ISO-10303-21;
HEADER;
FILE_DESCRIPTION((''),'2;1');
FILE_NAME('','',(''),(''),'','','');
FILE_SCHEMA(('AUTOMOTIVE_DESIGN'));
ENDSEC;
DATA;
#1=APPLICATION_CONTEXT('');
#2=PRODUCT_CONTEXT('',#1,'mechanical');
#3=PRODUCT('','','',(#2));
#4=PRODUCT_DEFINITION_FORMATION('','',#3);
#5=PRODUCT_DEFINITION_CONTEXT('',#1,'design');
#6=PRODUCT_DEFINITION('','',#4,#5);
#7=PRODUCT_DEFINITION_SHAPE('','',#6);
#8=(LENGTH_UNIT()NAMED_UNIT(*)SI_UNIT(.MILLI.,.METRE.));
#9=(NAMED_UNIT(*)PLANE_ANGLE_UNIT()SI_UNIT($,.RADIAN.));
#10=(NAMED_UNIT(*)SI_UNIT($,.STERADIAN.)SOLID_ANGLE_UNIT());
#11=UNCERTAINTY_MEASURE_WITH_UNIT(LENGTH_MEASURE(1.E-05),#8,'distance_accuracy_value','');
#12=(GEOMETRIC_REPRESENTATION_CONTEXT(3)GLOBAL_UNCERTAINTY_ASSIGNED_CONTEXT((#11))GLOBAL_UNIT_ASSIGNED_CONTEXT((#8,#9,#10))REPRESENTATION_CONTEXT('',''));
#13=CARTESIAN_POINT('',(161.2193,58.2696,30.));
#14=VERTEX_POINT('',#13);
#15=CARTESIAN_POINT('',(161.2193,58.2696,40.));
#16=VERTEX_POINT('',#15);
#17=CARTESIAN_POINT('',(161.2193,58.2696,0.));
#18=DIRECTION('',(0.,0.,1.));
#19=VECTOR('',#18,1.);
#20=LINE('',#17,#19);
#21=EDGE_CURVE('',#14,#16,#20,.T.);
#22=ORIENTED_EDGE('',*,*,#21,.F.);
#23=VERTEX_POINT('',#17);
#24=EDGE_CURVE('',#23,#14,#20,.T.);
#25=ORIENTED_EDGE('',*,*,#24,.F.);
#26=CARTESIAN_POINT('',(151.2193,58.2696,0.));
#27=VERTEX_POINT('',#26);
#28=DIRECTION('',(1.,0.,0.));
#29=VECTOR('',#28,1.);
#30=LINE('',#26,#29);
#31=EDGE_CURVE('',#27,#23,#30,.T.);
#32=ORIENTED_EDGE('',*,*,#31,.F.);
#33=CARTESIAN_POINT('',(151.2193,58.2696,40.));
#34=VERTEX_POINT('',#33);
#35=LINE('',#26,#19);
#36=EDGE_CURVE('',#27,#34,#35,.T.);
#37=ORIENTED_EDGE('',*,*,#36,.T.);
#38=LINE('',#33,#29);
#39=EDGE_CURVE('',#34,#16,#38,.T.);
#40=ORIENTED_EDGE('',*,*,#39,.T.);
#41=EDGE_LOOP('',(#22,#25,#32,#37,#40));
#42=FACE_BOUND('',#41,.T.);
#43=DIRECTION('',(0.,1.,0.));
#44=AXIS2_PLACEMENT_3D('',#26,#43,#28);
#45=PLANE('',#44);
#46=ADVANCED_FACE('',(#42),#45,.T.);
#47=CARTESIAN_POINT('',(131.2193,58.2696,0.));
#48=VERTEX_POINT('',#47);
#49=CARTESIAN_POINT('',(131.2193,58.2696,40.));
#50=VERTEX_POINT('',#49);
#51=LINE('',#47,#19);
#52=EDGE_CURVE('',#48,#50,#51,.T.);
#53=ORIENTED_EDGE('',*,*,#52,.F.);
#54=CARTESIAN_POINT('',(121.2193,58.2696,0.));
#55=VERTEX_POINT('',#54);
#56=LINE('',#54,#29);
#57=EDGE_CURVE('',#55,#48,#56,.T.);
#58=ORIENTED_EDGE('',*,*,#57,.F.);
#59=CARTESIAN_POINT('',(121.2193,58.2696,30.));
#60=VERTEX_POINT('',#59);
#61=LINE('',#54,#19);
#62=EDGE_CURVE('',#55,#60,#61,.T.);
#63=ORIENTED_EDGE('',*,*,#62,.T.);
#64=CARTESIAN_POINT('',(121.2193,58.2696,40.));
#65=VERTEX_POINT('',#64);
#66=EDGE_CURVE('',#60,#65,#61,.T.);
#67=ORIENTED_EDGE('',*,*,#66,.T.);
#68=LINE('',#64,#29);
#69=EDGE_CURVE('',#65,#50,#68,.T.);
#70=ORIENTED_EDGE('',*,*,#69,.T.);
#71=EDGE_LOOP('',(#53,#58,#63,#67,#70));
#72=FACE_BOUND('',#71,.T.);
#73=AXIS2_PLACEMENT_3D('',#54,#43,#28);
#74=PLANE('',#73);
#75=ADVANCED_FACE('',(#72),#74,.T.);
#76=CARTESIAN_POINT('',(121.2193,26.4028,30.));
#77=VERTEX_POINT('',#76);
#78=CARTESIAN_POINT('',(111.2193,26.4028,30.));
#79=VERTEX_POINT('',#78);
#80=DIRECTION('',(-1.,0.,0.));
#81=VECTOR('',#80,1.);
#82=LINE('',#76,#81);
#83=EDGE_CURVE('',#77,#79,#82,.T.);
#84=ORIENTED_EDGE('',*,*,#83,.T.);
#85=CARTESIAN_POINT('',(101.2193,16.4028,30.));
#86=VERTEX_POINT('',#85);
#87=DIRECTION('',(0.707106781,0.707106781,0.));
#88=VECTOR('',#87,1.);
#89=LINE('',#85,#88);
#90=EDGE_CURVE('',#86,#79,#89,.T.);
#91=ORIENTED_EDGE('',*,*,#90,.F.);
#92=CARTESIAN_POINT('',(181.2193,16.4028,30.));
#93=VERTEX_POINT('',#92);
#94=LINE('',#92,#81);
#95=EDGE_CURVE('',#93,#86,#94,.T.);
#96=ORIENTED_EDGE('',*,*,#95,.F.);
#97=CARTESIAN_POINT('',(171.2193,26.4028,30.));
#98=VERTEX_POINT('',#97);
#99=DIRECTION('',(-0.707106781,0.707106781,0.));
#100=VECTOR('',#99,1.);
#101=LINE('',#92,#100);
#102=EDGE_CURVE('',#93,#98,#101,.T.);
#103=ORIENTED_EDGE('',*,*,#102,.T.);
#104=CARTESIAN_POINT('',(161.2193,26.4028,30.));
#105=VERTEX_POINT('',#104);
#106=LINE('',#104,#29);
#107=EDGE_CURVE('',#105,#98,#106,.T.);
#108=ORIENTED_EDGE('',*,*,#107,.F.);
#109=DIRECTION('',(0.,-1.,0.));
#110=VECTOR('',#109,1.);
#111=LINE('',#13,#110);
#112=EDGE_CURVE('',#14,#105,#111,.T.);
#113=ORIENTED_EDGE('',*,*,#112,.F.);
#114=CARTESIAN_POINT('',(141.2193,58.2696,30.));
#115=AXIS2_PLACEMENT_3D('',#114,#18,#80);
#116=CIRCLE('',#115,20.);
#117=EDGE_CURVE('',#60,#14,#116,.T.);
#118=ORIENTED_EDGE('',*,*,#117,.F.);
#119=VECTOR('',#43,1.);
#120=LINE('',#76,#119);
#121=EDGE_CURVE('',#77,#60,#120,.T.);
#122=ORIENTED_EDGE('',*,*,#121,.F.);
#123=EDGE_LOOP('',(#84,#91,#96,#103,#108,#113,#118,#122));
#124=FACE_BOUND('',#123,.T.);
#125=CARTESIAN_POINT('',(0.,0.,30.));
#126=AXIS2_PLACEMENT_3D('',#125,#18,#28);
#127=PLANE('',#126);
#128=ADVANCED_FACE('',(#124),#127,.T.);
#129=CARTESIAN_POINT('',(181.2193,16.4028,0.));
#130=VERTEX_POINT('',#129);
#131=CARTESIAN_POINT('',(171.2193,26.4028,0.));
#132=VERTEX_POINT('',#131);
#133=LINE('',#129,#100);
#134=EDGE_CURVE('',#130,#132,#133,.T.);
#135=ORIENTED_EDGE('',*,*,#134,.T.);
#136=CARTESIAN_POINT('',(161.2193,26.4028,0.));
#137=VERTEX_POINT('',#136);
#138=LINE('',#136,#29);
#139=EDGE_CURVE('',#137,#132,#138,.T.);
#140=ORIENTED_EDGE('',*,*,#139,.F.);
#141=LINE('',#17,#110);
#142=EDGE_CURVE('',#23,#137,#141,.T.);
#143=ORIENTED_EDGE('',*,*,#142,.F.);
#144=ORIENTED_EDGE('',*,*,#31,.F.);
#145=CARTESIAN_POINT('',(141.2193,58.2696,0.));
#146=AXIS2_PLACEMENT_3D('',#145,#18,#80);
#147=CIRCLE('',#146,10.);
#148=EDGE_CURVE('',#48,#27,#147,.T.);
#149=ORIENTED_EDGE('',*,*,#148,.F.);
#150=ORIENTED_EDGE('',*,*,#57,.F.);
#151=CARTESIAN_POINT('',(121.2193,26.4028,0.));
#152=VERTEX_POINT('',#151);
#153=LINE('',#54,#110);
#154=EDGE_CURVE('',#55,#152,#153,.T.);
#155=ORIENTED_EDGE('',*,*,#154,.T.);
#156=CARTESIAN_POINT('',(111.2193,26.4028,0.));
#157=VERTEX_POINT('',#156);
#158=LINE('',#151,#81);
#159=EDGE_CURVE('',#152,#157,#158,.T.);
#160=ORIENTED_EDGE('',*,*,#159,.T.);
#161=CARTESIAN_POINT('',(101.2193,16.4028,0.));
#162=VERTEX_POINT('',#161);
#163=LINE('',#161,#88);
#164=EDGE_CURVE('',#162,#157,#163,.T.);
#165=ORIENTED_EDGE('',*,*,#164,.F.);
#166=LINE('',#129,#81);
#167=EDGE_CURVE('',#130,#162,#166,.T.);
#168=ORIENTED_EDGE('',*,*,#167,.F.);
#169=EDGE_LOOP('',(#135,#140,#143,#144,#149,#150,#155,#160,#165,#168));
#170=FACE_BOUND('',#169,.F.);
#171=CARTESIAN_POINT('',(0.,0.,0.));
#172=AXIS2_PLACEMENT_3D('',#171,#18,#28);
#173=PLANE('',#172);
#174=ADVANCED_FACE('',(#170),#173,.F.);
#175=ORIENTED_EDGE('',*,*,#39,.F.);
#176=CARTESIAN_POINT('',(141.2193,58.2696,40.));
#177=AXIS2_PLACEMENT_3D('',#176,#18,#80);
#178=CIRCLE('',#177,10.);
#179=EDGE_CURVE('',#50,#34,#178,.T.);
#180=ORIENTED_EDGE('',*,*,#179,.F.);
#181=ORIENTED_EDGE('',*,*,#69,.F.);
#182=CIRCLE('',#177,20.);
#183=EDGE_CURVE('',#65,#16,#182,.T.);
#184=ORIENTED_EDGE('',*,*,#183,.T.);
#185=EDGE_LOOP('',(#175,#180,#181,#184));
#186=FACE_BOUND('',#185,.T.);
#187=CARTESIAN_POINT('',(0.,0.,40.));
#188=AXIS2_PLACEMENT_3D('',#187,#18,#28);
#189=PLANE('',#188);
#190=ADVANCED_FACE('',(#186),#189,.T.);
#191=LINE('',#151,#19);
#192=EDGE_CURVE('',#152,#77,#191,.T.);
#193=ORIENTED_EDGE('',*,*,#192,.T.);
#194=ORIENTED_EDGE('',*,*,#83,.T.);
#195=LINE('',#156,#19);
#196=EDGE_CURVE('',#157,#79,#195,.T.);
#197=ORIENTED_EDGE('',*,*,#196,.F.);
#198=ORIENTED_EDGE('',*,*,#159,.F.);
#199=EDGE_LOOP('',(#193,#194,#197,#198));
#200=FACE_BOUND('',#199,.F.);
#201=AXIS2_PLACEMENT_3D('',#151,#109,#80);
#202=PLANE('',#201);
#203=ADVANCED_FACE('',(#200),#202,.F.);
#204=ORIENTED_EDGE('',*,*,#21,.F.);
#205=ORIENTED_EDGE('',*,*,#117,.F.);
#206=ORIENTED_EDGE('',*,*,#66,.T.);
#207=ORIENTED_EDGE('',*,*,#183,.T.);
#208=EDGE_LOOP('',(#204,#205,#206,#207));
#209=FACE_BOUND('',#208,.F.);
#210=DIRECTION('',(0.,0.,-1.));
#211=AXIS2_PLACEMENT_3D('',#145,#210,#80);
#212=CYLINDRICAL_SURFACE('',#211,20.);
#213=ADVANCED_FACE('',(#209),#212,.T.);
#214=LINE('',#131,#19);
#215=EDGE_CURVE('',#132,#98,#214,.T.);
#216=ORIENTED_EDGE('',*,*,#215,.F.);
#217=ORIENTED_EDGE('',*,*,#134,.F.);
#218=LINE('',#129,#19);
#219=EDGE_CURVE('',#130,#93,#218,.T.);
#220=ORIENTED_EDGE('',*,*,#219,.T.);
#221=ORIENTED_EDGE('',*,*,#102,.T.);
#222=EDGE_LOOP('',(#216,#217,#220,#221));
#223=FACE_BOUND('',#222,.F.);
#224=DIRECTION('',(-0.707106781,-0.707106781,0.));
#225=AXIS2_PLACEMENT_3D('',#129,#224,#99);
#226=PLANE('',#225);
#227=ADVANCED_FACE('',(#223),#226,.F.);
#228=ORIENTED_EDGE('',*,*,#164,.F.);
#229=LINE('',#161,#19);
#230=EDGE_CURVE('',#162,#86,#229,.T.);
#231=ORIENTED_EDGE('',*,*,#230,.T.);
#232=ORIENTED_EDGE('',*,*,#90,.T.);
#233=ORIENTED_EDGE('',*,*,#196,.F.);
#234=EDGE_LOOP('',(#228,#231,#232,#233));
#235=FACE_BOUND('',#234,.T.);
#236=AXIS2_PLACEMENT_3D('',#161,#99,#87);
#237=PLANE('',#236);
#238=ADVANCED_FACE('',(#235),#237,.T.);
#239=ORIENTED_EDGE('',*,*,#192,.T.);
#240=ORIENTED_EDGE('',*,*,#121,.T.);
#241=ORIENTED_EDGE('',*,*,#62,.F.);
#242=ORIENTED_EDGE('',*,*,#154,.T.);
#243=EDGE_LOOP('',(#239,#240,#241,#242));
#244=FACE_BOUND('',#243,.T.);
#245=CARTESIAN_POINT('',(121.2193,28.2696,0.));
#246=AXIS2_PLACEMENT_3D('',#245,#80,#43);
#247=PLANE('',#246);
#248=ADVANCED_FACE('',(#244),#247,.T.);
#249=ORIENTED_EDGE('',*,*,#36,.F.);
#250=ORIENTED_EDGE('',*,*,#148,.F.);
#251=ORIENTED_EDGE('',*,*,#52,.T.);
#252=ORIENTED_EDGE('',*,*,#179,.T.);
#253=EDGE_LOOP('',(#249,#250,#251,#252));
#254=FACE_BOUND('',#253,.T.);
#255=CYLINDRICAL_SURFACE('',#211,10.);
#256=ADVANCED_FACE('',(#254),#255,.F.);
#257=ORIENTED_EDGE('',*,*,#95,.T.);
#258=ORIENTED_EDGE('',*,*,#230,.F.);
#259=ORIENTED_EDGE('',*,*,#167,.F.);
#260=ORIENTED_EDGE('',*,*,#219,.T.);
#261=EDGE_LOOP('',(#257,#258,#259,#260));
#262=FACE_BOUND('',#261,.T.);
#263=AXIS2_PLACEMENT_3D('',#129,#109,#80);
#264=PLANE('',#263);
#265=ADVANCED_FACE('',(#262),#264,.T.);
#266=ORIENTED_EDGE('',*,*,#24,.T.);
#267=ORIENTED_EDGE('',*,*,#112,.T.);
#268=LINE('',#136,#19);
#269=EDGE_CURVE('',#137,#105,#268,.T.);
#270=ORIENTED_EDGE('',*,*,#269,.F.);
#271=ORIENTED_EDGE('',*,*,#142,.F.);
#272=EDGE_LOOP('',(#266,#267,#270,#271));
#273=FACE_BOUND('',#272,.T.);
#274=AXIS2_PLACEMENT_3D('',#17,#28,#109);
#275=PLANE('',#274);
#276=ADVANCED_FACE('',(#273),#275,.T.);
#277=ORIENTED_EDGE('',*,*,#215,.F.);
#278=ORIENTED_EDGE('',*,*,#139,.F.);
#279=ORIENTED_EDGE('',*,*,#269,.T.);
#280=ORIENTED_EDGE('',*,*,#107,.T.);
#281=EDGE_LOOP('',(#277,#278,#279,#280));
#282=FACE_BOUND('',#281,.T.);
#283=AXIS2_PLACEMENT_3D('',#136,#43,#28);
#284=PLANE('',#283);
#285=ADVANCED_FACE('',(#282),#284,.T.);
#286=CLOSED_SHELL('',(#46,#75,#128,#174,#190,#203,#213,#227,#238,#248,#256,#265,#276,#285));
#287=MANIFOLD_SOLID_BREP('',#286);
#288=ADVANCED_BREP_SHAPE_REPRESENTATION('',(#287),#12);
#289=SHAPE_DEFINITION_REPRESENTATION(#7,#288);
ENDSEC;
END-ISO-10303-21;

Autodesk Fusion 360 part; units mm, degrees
sketch "Sketch1" plane through (0, 0, 0) normal (0, 0, 1) x (1, 0, 0) in component "Component"
sketch "Sketch1 (2)" plane through (0, 0, 0) normal (0, 0, 1) x (1, 0, 0)
sketch "Sketch2" plane through (0, 0, 0) normal (0, 0, 1) x (1, 0, 0) in component "Component"
  arc A0 (17.6425, 34.6248) -> (62.3575, 34.6248) centre (40, 35) ccw
  arc A1 (23.5355, 34.6248) -> (56.4645, 34.6248) centre (40, 36.7106) ccw
  line L0 (17.6425, 34.6248) -> (23.5355, 34.6248)
  line L1 (56.4645, 34.6248) -> (62.3575, 34.6248)
sketch "Sketch2 (2)" plane through (0, 0, 0) normal (0, 0, 1) x (1, 0, 0)
  line L0 (121.2193, 26.4028) -> (121.2193, 28.2696)
  line L1 (121.2193, 28.2696) -> (121.2193, 58.2696)
  line L2 (161.2193, 58.2696) -> (161.2193, 26.4028)
  line L3 (161.2193, 26.4028) -> (171.2193, 26.4028)
  line L4 (181.2193, 16.4028) -> (101.2193, 16.4028)
  line L5 (121.2193, 26.4028) -> (111.2193, 26.4028)
  line L6 (101.2193, 16.4028) -> (111.2193, 26.4028)
  line L7 (181.2193, 16.4028) -> (171.2193, 26.4028)
  arc A0 (131.2193, 58.2696) -> (151.2193, 58.2696) centre (141.2193, 58.2696) ccw
  arc A1 (121.2193, 58.2696) -> (161.2193, 58.2696) centre (141.2193, 58.2696) ccw
  line L8 (121.2193, 58.2696) -> (131.2193, 58.2696)
  line L9 (151.2193, 58.2696) -> (161.2193, 58.2696)
  dimension "d23" = 20
  dimension "d24" = 20
  dimension "d25" = 40
  dimension "d32" = 80
  dimension "d33" = 10
extrude "Extrude1" add sketch "Sketch2 (2)" along normal blind 40 contours A0 A1 L8 L9
extrude "Extrude2" add sketch "Sketch2 (2)" along normal blind 30 contours L0 L1 L2 L3 L4 L5 L6 L7 A1
component "Component" placed x (1, 0, 0) y (0, 1, 0) z (0, 0, 1) at (0, 0, 0)
